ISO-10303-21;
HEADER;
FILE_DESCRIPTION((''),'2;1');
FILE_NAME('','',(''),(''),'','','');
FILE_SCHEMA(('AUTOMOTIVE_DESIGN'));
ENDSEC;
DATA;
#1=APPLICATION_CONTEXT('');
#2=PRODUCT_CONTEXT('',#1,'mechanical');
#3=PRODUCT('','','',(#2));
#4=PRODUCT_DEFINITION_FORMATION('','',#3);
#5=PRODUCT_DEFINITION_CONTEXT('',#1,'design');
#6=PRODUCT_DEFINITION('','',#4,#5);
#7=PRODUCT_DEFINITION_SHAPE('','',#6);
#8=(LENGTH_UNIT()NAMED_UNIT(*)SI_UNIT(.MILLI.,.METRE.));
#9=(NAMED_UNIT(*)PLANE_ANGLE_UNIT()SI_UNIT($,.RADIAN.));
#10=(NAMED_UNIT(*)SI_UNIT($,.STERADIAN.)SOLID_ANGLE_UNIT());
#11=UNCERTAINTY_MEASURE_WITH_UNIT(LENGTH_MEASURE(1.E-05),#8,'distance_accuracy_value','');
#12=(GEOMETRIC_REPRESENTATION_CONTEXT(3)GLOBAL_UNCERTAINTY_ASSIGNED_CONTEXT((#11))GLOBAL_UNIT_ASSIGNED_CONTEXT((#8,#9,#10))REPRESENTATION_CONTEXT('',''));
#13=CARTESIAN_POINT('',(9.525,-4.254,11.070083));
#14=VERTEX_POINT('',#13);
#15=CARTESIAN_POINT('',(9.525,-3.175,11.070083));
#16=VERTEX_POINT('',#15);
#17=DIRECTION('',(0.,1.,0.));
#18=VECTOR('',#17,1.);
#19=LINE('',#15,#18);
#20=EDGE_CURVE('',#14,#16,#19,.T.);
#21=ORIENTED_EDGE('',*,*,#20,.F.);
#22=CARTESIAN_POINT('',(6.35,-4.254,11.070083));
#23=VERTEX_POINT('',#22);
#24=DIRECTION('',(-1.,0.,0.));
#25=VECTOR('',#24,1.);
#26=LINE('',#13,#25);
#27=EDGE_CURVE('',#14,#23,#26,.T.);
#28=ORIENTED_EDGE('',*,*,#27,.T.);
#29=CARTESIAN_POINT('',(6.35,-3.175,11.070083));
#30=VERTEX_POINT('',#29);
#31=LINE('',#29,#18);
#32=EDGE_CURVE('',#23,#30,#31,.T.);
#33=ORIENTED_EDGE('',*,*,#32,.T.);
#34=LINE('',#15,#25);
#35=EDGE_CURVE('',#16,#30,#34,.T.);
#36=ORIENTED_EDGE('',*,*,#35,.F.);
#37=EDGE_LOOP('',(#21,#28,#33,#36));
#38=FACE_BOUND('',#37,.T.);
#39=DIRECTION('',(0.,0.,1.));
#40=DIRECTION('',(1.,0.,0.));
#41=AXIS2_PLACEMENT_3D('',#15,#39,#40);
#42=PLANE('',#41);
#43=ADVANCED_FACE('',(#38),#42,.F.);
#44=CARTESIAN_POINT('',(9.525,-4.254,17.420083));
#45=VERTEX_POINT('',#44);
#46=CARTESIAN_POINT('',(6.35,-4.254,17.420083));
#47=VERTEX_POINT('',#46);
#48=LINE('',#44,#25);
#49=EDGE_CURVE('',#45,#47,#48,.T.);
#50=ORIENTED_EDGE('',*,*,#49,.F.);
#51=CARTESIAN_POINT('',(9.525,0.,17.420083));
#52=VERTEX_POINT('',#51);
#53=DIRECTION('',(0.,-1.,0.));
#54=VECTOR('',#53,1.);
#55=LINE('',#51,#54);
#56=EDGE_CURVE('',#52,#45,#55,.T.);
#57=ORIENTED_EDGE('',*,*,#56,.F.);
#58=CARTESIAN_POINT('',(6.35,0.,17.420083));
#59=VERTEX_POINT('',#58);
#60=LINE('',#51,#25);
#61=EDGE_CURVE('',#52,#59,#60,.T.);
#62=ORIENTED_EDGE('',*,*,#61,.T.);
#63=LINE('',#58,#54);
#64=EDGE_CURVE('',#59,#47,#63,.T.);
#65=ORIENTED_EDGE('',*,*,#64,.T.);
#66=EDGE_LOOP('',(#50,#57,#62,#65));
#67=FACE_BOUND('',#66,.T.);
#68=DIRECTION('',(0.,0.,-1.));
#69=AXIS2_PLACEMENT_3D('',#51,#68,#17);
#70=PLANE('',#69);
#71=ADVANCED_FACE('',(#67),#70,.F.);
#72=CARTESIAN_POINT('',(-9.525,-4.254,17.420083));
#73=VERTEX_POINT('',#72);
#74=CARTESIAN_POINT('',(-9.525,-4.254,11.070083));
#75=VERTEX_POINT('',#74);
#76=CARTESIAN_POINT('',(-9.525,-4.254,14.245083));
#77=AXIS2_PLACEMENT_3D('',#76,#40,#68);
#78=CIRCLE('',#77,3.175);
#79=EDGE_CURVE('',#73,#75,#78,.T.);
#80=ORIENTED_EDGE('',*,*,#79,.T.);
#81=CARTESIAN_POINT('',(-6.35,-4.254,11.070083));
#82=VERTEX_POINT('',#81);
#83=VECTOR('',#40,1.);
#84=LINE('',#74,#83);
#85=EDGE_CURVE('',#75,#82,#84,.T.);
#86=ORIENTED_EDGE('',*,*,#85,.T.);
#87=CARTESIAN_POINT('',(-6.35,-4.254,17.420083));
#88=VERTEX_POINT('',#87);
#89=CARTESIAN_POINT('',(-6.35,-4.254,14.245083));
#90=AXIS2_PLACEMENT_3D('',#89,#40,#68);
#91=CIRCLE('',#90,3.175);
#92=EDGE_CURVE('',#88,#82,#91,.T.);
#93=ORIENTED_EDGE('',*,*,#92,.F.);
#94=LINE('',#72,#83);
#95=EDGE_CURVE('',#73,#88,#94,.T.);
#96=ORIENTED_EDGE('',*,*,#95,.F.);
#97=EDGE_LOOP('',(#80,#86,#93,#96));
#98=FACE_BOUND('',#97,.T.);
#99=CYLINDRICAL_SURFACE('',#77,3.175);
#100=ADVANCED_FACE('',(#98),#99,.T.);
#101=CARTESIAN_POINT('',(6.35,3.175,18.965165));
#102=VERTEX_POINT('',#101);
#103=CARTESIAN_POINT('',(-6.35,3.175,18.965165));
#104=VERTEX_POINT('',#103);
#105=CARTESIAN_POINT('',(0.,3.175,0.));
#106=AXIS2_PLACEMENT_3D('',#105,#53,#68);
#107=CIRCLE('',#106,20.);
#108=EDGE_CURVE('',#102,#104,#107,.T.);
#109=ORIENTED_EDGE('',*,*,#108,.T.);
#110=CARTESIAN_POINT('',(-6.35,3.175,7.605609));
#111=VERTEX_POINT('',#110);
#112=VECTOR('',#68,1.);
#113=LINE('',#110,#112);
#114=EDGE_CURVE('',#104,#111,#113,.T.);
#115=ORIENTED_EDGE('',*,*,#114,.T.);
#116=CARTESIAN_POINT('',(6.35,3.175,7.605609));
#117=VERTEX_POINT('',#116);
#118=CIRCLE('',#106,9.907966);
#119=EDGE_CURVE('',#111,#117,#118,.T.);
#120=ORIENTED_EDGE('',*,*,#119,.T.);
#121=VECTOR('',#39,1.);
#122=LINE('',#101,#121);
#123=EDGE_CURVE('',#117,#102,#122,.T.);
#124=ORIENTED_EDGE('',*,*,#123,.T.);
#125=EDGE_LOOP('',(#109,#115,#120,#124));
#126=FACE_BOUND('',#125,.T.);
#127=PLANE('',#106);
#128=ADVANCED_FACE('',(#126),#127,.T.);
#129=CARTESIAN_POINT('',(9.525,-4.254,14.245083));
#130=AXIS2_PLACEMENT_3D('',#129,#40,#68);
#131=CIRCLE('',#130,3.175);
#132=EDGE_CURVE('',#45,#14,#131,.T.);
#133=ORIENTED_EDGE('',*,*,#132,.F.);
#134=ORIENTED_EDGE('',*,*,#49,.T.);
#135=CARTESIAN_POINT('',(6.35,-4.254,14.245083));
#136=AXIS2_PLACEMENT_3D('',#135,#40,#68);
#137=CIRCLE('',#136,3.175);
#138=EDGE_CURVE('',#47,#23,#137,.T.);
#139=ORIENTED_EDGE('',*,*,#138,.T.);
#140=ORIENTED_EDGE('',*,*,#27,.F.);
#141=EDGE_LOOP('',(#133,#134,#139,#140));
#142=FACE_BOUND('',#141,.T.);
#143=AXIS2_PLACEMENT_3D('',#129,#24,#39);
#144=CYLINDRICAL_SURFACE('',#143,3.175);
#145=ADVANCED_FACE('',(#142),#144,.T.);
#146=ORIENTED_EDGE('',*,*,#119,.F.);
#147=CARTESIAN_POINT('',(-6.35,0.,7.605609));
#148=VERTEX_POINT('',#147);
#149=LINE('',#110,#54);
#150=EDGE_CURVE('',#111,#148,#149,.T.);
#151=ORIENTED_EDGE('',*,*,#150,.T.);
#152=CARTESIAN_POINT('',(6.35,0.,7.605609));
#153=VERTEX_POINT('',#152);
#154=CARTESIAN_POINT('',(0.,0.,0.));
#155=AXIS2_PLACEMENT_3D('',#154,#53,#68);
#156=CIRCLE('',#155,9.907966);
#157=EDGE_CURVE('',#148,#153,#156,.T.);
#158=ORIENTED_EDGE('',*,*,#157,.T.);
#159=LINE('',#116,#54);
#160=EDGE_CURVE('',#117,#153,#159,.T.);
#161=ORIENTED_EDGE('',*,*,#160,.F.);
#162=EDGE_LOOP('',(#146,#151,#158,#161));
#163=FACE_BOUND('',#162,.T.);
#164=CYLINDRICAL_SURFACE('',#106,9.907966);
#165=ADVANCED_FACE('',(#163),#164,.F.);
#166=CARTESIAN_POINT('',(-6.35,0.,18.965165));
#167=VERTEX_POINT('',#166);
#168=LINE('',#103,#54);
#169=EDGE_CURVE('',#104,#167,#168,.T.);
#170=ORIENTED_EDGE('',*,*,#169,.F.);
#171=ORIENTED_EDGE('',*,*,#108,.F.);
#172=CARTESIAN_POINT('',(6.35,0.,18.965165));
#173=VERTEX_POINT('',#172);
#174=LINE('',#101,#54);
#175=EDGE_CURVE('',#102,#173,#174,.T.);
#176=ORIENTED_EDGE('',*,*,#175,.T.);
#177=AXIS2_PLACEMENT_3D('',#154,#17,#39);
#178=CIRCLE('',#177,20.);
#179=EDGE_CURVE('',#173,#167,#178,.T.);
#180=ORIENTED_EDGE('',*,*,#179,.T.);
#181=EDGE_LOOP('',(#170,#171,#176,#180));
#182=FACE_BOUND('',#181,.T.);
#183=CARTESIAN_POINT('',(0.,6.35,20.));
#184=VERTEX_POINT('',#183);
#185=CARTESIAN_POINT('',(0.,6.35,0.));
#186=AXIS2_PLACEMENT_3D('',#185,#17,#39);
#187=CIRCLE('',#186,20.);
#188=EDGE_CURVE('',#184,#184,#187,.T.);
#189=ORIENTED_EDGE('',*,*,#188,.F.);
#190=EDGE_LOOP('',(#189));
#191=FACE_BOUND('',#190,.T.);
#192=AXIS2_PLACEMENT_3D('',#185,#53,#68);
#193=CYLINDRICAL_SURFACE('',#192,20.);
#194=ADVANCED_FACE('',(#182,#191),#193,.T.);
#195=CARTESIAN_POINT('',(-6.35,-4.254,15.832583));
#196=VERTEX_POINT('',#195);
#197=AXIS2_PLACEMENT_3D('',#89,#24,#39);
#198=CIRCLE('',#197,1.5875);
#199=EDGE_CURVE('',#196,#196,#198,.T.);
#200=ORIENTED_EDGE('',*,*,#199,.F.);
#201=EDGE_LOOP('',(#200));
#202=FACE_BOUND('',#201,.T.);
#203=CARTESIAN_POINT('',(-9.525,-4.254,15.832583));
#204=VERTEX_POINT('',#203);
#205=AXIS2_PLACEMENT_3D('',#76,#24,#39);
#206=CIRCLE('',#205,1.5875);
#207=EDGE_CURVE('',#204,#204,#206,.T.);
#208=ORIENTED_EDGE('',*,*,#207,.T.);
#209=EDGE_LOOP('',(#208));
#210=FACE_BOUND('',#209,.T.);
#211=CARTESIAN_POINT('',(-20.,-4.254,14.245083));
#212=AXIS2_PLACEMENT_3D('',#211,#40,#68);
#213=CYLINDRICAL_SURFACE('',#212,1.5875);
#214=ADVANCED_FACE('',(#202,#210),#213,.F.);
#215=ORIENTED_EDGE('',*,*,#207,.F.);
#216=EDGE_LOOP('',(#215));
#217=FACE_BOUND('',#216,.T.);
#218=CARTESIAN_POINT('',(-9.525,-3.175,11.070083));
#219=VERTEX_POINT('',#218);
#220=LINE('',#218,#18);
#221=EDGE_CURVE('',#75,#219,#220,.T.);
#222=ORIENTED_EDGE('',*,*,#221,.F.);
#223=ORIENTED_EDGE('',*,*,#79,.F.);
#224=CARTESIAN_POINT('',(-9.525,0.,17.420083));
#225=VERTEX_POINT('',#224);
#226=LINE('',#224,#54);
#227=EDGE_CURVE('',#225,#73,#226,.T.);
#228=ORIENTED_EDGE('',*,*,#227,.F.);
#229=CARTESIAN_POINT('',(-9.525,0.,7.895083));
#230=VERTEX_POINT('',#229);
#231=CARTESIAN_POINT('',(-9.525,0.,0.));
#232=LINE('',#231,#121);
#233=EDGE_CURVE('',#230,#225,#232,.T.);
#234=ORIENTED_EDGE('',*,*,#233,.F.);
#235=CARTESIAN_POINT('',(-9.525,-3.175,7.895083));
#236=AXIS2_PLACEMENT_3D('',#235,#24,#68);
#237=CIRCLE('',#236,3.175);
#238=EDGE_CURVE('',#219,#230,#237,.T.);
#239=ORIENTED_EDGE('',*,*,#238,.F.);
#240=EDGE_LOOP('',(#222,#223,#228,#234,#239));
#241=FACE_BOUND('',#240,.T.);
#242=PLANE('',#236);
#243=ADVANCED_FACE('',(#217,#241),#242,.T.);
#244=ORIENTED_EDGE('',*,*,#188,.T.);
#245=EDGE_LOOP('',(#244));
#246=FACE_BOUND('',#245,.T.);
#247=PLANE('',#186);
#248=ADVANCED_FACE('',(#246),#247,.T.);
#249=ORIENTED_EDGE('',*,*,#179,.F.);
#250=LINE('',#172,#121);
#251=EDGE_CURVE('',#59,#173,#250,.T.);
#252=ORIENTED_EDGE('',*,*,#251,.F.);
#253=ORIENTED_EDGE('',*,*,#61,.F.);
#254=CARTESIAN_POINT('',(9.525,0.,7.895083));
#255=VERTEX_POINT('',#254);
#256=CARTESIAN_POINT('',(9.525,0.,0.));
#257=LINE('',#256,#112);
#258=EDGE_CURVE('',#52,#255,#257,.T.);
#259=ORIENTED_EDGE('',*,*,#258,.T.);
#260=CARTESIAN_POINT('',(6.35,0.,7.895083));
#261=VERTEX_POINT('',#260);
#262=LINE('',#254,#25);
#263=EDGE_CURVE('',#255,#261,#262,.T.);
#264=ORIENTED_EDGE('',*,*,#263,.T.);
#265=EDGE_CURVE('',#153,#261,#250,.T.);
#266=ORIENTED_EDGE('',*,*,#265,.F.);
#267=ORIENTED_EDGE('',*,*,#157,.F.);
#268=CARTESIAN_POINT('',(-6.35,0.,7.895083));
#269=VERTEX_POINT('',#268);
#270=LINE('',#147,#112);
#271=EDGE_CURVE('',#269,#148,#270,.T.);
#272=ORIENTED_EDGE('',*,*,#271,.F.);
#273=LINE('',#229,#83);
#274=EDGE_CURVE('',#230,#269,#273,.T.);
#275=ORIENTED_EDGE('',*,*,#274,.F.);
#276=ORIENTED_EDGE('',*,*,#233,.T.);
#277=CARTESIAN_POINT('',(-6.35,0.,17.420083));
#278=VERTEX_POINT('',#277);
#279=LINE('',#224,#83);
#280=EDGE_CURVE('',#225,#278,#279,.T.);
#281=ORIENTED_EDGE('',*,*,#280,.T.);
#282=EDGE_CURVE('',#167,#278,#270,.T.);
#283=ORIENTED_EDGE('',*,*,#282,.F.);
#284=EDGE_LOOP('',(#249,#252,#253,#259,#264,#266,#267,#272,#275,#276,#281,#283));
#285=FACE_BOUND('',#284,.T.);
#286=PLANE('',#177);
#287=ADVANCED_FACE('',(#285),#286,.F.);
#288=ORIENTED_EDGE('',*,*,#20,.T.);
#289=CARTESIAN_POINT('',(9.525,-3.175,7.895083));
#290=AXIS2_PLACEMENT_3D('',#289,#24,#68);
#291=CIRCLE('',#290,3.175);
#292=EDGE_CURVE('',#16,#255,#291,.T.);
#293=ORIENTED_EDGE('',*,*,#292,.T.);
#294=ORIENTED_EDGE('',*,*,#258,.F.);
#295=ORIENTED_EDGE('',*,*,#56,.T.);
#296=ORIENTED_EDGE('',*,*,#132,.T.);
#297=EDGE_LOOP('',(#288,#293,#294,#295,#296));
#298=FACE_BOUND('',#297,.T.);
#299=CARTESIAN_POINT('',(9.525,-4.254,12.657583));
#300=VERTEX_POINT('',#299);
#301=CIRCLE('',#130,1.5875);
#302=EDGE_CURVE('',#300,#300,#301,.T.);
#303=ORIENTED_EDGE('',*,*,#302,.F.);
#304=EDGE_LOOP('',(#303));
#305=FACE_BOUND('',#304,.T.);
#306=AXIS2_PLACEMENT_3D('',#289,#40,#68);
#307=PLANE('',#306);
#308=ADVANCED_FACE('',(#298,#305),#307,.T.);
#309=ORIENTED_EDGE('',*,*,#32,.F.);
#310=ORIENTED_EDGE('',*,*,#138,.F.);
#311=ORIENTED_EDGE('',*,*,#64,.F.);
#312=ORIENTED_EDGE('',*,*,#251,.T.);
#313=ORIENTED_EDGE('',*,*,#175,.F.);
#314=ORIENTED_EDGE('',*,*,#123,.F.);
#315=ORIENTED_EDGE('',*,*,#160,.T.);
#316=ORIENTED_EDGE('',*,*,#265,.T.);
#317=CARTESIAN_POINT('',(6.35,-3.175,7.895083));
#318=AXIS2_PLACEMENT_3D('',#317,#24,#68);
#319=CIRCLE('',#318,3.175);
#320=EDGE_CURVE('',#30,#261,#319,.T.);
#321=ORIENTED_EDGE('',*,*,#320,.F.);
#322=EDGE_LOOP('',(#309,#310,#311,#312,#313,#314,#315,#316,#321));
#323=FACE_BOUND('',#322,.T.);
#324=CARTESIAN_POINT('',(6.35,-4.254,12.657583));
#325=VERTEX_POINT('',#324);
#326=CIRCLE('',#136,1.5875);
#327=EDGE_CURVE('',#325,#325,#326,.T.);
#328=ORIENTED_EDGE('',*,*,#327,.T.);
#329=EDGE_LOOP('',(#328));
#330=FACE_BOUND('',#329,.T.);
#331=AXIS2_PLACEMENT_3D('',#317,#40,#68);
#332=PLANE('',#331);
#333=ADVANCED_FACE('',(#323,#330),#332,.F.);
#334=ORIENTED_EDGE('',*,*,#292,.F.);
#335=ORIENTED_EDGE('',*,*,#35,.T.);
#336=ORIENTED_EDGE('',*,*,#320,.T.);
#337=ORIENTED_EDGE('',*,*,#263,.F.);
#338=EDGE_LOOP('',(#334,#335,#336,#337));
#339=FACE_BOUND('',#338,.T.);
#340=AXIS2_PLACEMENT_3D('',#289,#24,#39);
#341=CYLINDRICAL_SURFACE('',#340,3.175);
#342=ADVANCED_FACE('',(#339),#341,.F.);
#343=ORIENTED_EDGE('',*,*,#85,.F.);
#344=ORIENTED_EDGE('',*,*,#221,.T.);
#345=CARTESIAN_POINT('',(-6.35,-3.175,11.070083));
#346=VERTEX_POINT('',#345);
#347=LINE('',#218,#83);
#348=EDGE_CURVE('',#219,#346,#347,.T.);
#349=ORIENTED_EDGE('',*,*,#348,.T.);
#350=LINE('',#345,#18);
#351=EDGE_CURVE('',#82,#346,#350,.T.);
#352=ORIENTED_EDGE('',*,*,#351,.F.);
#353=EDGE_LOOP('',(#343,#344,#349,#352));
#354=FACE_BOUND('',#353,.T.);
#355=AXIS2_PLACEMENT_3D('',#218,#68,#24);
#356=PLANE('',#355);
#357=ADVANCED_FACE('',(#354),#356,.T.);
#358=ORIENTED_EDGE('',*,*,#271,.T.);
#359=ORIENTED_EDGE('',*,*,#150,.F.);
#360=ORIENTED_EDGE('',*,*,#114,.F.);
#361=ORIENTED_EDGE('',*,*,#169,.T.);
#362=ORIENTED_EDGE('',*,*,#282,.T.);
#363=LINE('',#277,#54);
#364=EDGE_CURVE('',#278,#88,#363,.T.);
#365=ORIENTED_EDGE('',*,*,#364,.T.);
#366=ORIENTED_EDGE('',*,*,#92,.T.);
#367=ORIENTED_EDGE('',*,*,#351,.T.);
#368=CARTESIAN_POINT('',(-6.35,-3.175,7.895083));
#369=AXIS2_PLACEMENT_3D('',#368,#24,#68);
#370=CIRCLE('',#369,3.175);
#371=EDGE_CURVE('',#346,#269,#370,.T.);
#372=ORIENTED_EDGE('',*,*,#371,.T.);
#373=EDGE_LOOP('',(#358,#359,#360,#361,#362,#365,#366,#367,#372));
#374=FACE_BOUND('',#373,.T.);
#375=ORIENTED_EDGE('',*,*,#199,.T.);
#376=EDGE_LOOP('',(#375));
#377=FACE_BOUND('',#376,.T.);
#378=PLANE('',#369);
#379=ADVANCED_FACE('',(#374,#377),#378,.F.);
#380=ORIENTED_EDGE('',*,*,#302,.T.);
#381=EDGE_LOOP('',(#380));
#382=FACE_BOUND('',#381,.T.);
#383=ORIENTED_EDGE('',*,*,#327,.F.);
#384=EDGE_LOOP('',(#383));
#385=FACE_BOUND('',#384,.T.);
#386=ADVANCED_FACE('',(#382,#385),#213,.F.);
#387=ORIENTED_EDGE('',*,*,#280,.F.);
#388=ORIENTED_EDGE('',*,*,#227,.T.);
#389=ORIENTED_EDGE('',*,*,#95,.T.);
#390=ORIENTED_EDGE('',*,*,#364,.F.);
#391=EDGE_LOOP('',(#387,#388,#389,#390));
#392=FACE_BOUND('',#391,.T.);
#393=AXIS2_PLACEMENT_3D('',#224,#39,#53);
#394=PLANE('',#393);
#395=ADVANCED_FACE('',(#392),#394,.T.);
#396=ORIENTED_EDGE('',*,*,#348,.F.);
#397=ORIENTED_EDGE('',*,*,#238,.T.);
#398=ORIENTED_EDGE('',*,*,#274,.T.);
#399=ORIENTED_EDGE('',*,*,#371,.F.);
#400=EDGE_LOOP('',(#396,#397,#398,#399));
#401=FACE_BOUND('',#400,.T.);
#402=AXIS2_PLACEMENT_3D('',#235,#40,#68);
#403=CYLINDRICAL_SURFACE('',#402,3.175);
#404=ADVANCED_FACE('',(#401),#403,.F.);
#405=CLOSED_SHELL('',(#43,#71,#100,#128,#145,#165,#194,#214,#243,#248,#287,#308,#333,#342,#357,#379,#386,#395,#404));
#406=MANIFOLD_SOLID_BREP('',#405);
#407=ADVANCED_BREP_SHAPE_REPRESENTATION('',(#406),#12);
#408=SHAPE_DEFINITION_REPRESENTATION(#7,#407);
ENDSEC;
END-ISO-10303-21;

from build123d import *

# Parameters (mm, degrees)
SKETCH1_R           = 20.000000005
BOSS_EXTRUDE1_DEPTH = 6.35
BOSS_EXTRUDE2_DEPTH = 3.175
SKETCH3_R           = 1.5875
CUT_EXTRUDE1_DEPTH  = 30.525000005
CUT_EXTRUDE2_DEPTH  = 3.175


with BuildPart() as part:
    # Sketch1 → Boss-Extrude1 (new body)
    with BuildSketch(Plane(origin=(0, 0, 0), x_dir=(1, 0, 0), z_dir=(0, 1, 0))):
        Circle(SKETCH1_R)
    extrude(amount=BOSS_EXTRUDE1_DEPTH)

    # Sketch2 → Boss-Extrude2 (add)
    with BuildSketch(Plane(origin=(6.35, 0, 0), x_dir=(0, 0, -1), z_dir=(1, 0, 0))):
        with BuildLine():
            Line((-17.420082718, 0), (-17.420082718, -4.254))
            ThreePointArc((-17.420082718, -4.254), (-14.245082718, -7.429), (-11.070082718, -4.254))
            Line((-11.070082718, -4.254), (-11.070082718, -3.175))
            ThreePointArc((-11.070082718, -3.175), (-10.140146748, -0.92993597), (-7.895082718, 0))
            Line((-7.895082718, 0), (-5.849160659, 0))
            Line((-5.849160659, 0), (-5.849160659, 6.35))
            Line((-5.849160659, 6.35), (-11.070082718, 6.35))
            ThreePointArc((-11.070082718, 6.35), (-15.560210778, 4.490128061), (-17.420082718, 0))
        make_face()
    boss_extrude2 = extrude(amount=BOSS_EXTRUDE2_DEPTH)

    # Mirror1: Boss-Extrude2 across plane
    add(boss_extrude2.mirror(Plane(origin=(0, 0, 0), x_dir=(0, 0, 1), z_dir=(1, 0, 0))))

    # Sketch3 → Cut-Extrude1 (cut, through all)
    with BuildSketch(Plane(origin=(9.525, 0, 0), x_dir=(0, 0, -1), z_dir=(1, 0, 0))):
        with Locations((-14.245082718, -4.254)):
            Circle(SKETCH3_R)
    extrude(amount=-CUT_EXTRUDE1_DEPTH, mode=Mode.SUBTRACT)

    # Sketch5 → Cut-Extrude2 (cut)
    with BuildSketch(Plane.XZ):
        with BuildLine():
            Line((6.35, 18.965165441), (6.35, 7.605609073))
            ThreePointArc((6.35, 7.605609073), (0, -9.907965955), (-6.35, 7.605609073))
            Line((-6.35, 7.605609073), (-6.35, 18.965165441))
            ThreePointArc((-6.35, 18.965165441), (0, 20.000000005), (6.35, 18.965165441))
        make_face()
    extrude(amount=-CUT_EXTRUDE2_DEPTH, mode=Mode.SUBTRACT)


solid = part.part
